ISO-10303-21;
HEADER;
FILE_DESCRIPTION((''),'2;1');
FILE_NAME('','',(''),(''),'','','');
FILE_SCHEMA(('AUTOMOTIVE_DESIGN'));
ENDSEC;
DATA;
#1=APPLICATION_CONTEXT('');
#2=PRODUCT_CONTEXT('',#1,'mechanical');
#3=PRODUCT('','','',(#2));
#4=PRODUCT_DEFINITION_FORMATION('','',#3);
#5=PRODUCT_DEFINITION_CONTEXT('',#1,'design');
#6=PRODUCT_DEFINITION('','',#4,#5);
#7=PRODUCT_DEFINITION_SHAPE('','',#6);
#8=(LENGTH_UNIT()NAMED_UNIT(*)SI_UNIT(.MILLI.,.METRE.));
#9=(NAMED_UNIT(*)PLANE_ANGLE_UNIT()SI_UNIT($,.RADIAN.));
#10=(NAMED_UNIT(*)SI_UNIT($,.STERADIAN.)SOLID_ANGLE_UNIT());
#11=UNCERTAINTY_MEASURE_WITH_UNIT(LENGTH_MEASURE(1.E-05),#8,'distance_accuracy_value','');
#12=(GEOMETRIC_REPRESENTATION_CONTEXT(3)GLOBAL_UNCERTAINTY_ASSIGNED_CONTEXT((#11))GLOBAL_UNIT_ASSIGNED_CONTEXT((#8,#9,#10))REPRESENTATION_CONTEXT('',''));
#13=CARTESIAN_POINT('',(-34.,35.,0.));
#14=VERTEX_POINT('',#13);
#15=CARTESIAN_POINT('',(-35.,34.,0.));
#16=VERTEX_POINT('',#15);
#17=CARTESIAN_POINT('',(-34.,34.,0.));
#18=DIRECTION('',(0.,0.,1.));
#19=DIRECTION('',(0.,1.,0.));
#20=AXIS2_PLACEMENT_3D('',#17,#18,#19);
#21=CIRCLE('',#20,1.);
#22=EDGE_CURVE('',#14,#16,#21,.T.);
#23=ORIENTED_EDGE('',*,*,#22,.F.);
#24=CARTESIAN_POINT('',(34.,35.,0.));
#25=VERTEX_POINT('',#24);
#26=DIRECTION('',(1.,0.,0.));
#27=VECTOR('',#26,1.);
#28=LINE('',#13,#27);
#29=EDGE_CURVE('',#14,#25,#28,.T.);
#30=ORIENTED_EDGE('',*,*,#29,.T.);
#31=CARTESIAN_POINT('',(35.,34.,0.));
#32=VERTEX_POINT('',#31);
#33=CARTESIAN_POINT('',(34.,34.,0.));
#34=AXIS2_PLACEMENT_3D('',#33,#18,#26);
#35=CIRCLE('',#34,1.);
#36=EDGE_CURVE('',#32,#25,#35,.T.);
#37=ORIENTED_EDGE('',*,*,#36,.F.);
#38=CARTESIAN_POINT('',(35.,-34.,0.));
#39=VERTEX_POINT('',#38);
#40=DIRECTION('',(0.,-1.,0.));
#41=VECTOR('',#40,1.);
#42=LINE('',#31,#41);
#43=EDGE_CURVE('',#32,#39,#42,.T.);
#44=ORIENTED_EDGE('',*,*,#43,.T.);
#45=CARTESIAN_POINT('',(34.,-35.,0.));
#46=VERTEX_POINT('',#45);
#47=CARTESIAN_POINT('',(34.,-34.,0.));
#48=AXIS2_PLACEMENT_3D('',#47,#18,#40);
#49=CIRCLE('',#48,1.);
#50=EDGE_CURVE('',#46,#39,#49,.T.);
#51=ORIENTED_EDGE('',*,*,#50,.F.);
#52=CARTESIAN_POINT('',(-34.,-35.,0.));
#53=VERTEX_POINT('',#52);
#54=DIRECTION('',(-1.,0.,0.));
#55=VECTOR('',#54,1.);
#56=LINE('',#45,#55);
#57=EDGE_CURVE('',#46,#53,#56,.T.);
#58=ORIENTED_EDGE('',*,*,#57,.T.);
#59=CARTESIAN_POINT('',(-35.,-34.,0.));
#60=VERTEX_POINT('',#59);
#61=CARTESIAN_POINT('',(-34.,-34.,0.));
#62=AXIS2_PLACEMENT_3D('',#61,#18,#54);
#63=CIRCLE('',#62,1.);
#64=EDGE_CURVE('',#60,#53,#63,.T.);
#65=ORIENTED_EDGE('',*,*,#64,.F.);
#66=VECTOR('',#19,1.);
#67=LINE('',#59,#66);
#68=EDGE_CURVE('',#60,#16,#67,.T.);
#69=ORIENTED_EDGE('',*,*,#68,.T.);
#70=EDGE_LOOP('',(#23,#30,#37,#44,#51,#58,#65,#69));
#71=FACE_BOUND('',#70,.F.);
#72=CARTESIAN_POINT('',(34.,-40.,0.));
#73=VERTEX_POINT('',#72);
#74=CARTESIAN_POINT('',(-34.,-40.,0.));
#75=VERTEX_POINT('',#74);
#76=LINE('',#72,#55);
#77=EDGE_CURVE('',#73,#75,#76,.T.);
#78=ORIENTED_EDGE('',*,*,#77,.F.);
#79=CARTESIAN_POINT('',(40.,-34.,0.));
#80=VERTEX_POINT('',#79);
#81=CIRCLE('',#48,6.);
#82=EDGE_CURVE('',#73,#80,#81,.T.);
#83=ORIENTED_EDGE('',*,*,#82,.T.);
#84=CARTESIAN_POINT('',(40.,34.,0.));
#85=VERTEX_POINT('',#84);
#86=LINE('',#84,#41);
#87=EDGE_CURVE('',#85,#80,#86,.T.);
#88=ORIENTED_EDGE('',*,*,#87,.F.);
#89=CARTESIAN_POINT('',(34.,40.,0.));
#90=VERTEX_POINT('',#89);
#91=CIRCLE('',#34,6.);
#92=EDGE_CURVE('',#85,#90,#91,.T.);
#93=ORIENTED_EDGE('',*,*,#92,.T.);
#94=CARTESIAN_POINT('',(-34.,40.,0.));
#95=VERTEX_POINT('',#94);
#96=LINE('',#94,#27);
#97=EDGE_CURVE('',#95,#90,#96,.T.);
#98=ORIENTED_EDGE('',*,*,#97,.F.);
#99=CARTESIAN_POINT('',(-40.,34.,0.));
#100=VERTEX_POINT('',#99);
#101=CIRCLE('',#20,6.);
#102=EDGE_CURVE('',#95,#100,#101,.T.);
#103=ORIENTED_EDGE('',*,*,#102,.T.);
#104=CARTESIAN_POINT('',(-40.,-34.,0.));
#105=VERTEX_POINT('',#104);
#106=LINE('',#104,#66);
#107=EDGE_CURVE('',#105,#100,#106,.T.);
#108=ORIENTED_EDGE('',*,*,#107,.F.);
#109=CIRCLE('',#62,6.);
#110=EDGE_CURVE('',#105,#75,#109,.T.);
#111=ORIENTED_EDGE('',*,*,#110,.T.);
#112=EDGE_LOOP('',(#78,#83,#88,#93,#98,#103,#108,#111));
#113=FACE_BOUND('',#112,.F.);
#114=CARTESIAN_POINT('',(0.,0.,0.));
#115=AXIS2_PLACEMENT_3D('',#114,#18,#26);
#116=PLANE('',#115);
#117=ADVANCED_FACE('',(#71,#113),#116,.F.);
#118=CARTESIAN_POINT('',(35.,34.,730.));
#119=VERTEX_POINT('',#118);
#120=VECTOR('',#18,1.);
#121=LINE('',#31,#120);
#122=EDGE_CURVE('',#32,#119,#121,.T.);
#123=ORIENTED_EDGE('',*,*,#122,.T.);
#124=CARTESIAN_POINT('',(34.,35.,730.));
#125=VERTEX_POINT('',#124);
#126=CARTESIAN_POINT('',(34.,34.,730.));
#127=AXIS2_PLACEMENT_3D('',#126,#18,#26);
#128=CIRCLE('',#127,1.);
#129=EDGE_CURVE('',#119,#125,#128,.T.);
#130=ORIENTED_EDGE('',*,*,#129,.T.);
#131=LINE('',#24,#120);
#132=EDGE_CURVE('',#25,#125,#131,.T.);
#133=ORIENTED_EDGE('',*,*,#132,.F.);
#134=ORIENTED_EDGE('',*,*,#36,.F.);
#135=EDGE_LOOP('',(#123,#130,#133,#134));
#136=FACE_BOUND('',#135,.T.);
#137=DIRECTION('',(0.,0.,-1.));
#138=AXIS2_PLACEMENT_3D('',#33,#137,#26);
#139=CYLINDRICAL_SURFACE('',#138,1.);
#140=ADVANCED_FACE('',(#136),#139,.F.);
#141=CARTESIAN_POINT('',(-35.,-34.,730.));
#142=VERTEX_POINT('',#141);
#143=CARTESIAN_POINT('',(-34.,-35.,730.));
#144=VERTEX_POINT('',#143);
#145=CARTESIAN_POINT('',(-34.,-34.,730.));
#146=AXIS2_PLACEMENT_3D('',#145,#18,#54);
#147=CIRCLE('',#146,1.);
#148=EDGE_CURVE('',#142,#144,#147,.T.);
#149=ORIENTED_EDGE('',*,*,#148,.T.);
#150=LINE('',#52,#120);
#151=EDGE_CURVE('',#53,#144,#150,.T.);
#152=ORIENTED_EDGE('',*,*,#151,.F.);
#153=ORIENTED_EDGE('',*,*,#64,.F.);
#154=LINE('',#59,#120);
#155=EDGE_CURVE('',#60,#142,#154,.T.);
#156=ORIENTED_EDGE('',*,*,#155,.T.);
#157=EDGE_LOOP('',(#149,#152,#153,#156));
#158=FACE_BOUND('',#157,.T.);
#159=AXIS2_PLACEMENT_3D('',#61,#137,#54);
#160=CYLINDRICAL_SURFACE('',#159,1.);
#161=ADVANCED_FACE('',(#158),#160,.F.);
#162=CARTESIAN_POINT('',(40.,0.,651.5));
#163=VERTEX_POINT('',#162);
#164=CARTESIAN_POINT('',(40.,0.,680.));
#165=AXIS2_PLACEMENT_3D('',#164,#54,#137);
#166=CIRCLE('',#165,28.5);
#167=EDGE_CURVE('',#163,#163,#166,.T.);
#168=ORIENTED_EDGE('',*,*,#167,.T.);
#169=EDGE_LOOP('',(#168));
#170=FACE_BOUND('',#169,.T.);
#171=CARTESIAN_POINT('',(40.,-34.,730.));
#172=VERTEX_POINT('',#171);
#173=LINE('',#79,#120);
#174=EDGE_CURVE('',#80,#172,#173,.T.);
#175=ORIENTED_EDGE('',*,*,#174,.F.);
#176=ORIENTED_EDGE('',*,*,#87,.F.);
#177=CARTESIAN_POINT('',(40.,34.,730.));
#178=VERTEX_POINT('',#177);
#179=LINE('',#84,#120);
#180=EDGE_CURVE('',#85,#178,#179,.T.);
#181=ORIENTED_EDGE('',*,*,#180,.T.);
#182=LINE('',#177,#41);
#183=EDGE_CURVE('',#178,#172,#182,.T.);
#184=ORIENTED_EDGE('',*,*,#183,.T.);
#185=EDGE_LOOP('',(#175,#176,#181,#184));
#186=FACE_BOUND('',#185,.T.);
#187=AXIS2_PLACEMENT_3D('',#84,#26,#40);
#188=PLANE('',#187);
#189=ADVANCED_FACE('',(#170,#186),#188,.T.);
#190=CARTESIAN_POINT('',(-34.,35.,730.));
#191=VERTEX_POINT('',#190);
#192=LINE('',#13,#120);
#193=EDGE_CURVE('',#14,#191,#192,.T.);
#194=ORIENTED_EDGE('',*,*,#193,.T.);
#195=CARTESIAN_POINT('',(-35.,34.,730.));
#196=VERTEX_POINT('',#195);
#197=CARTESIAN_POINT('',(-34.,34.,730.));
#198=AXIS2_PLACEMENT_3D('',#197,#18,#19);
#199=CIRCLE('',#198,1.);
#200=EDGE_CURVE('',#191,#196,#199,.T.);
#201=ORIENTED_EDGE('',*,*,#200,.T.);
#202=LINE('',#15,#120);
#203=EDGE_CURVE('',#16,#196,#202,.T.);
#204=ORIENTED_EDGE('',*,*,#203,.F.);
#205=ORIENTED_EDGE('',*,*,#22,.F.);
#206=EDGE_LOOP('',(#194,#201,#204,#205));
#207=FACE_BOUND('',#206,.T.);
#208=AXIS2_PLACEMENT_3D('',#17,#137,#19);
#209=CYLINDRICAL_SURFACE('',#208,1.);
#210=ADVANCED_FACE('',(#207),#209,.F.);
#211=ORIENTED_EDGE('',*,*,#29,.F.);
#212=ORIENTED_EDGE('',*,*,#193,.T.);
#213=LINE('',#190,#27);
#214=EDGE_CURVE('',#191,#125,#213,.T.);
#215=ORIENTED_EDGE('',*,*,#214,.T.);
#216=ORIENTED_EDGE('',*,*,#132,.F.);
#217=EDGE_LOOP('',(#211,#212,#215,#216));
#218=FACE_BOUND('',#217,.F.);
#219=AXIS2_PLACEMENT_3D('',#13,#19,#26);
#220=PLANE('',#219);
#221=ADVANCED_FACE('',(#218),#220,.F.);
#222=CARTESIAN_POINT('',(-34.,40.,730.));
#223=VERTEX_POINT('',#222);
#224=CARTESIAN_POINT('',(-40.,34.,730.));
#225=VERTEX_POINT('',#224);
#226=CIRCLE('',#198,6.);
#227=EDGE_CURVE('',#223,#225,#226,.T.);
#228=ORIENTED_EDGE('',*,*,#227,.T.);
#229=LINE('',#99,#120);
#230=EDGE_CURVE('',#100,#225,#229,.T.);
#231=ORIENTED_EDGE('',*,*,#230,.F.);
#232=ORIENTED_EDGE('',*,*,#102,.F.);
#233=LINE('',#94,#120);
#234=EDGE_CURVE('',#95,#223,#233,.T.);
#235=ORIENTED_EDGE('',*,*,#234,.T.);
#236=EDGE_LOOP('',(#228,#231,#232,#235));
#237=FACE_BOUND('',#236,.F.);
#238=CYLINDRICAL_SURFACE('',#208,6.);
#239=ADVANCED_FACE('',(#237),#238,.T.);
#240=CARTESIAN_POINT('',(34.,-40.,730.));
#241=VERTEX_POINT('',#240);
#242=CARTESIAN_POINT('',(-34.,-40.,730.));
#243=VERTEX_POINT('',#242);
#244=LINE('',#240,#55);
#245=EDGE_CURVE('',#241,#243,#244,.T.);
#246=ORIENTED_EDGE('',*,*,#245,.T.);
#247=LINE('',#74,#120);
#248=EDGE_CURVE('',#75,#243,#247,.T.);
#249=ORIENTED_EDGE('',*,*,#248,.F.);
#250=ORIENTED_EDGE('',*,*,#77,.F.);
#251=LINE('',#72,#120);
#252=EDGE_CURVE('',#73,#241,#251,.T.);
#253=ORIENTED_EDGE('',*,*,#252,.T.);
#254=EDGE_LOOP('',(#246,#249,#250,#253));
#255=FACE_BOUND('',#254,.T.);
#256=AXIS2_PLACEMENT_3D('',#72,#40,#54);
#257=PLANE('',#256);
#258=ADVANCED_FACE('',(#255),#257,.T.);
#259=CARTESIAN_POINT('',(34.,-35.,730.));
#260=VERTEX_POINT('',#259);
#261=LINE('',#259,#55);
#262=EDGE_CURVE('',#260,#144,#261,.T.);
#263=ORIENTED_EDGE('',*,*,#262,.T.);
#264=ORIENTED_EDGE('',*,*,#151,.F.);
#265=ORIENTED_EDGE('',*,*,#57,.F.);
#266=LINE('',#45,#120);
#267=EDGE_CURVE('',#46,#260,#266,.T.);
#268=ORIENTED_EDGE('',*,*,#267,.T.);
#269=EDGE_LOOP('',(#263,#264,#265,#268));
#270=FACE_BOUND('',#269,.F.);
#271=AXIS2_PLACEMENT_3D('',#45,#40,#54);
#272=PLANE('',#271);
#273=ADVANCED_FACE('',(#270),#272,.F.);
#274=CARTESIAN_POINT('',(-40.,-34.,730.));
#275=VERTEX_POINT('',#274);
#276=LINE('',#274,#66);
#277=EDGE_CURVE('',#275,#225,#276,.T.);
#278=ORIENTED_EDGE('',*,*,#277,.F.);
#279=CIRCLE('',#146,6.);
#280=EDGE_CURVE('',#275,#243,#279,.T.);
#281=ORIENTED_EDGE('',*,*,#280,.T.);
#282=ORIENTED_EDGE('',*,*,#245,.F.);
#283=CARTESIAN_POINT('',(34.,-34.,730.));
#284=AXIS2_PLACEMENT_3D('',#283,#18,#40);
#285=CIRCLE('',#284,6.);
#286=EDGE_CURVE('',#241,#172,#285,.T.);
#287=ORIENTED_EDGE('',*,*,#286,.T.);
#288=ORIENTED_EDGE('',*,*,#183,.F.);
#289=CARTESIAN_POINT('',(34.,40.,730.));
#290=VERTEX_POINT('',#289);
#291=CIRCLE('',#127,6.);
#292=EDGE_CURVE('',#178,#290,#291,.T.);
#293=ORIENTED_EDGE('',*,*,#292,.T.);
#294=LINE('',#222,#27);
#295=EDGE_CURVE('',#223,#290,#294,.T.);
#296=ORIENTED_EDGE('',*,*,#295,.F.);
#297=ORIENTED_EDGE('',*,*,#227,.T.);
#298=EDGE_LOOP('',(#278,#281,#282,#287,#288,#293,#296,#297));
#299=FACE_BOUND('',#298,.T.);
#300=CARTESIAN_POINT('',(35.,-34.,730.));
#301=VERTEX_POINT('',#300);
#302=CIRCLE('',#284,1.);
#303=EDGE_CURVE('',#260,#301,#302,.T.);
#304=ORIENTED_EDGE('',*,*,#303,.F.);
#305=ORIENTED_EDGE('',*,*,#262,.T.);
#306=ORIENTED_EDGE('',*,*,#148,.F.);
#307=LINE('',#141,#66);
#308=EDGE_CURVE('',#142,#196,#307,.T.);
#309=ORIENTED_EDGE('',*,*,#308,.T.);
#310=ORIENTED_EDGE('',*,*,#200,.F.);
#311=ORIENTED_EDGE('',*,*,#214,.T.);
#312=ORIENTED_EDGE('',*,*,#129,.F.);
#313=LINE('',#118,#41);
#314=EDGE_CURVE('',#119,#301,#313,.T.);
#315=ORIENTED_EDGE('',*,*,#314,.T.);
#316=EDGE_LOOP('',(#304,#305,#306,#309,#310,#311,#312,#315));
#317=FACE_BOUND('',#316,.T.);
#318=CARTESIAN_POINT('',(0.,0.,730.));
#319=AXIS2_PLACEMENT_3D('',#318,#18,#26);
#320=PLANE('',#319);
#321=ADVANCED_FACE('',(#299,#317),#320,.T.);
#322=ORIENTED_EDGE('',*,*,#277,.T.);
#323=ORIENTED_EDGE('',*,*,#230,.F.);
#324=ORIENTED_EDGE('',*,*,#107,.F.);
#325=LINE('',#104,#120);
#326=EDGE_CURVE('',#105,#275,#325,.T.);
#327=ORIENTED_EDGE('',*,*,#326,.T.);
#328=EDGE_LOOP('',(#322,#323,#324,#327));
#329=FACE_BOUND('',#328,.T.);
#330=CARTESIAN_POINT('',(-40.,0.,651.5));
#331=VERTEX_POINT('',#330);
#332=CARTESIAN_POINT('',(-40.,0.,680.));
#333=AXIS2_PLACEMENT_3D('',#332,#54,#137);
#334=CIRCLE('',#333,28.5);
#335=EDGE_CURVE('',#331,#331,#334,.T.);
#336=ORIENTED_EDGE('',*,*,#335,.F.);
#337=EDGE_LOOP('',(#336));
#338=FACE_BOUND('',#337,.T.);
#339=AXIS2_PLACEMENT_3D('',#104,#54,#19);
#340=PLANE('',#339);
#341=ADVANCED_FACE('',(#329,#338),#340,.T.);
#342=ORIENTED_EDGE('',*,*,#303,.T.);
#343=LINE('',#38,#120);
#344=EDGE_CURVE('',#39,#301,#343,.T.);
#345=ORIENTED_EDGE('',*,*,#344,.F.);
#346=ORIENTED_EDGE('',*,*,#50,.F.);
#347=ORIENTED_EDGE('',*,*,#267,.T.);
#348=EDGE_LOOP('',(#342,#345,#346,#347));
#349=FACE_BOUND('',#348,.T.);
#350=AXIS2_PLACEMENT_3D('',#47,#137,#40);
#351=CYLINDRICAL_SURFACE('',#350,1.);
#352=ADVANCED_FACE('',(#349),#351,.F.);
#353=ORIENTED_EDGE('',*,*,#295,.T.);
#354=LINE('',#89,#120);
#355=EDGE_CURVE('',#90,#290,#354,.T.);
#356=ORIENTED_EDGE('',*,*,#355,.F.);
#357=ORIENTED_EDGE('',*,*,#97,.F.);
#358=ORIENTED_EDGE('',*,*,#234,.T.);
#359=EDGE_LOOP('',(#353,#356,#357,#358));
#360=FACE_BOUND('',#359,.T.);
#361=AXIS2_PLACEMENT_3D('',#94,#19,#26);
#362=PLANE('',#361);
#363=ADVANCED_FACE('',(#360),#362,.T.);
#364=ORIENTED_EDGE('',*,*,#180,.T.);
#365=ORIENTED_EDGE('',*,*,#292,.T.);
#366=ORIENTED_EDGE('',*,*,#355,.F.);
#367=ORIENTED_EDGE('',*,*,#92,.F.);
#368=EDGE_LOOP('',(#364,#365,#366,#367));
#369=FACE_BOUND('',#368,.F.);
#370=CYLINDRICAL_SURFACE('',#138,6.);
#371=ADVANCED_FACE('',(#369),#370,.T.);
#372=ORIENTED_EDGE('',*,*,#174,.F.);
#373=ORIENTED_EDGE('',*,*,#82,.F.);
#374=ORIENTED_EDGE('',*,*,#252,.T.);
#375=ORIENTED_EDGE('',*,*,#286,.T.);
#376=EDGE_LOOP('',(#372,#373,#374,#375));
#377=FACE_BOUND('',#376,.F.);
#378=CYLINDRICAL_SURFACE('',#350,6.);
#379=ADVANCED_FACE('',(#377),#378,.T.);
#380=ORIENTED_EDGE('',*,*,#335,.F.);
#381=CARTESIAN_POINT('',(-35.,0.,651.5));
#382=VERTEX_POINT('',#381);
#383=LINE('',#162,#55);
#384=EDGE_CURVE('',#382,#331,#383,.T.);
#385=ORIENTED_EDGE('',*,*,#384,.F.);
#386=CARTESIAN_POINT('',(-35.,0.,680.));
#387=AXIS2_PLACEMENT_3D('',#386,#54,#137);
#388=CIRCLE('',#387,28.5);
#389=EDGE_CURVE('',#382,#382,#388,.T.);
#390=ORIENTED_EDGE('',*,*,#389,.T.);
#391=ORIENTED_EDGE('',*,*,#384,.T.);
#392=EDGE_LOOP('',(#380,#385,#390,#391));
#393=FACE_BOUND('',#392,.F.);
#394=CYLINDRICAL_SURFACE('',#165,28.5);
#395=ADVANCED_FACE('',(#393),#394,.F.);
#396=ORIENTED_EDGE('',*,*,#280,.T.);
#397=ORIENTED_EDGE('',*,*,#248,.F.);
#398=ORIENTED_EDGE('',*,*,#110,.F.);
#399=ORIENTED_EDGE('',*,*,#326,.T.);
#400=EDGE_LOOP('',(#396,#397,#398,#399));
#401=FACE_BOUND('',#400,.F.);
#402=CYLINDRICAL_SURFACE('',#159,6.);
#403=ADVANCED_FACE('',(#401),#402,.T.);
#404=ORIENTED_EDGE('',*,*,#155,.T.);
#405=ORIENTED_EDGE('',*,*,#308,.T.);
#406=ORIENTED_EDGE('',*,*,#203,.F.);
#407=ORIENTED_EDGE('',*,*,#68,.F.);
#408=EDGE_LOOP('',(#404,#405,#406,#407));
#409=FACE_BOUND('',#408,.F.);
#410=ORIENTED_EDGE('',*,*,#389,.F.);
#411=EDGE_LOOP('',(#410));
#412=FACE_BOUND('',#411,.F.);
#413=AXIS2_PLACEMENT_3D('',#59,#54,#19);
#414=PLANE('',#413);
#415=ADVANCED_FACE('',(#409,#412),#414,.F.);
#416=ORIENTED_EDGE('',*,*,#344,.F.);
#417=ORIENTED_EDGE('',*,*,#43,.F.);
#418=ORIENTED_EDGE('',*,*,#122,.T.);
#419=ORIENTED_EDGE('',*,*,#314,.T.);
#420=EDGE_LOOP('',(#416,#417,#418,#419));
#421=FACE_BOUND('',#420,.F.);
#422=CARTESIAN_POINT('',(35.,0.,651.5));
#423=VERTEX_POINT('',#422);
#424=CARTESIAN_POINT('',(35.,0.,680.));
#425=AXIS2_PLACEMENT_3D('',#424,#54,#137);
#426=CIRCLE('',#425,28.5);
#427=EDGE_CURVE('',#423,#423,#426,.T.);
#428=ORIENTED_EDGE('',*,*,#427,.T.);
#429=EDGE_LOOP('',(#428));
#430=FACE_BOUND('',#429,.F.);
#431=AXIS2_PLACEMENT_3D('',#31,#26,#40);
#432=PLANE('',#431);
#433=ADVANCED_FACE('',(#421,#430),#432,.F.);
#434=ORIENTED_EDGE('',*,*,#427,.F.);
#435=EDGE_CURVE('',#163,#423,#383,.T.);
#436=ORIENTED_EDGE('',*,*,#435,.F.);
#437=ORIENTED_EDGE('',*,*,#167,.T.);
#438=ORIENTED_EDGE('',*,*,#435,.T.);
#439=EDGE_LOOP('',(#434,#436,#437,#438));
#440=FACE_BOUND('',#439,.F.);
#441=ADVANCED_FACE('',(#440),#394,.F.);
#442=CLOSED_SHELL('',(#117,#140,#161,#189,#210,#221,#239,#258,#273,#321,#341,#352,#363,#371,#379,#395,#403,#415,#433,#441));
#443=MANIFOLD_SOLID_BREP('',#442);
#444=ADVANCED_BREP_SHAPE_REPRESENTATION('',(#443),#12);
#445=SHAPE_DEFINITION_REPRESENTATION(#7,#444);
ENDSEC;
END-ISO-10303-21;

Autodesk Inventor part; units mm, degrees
ref_plane "YZ Plane" through (0, 0, 0) normal (1, 0, 0) x (0, 1, 0)
ref_plane "XZ Plane" through (0, 0, 0) normal (0, 1, 0) x (-1, 0, 0)
ref_plane "XY Plane" through (0, 0, 0) normal (0, 0, 1) x (1, 0, 0)
sketch "Sketch1" plane through (0, 0, 0) normal (0, 0, 1) x (1, 0, 0)
  line L0 (40, 34) -> (40, -34)
  line L1 (34, -40) -> (-34, -40)
  line L2 (-40, -34) -> (-40, 34)
  line L3 (-34, 40) -> (34, 40)
  arc A0 (-34, 40) -> (-40, 34) centre (-34, 34) ccw
  arc A1 (40, 34) -> (34, 40) centre (34, 34) ccw
  arc A2 (34, -40) -> (40, -34) centre (34, -34) ccw
  arc A3 (-40, -34) -> (-34, -40) centre (-34, -34) ccw
  arc A4 (-34, 35) -> (-35, 34) centre (-34, 34) ccw
  line L4 (-34, 35) -> (34, 35)
  arc A5 (35, 34) -> (34, 35) centre (34, 34) ccw
  line L5 (35, 34) -> (35, -34)
  arc A6 (34, -35) -> (35, -34) centre (34, -34) ccw
  line L6 (34, -35) -> (-34, -35)
  arc A7 (-35, -34) -> (-34, -35) centre (-34, -34) ccw
  line L7 (-35, -34) -> (-35, 34)
  point P0 (0, 0)
  point P1 (0, 0)
  point P2 (40, 40)
  point P3 (40, -40)
  point P4 (-40, -40)
  point P5 (-40, 40)
  dimension "d0" = 80
  dimension "d1" = 6
  dimension "d2" = 5
extrude "Extrusion1" add sketch "Sketch1" along normal blind 730
sketch "Sketch2" plane through (40, -34, 0) normal (1, 0, 0) x (0, 0, -1)
  line L0 (-730, 68) -> (-730, 0) projected
  line L1 (0, 0) -> (-730, 0) projected
  point P0 (-680, 34)
  dimension "d5" = 50
  dimension "d6" = 34
hole "Hole1" at (40, 0, 680) direction (-1, 0, 0) diameter 57 end through all
properties part number "3136 1094 55" material "Steel, Mild"
